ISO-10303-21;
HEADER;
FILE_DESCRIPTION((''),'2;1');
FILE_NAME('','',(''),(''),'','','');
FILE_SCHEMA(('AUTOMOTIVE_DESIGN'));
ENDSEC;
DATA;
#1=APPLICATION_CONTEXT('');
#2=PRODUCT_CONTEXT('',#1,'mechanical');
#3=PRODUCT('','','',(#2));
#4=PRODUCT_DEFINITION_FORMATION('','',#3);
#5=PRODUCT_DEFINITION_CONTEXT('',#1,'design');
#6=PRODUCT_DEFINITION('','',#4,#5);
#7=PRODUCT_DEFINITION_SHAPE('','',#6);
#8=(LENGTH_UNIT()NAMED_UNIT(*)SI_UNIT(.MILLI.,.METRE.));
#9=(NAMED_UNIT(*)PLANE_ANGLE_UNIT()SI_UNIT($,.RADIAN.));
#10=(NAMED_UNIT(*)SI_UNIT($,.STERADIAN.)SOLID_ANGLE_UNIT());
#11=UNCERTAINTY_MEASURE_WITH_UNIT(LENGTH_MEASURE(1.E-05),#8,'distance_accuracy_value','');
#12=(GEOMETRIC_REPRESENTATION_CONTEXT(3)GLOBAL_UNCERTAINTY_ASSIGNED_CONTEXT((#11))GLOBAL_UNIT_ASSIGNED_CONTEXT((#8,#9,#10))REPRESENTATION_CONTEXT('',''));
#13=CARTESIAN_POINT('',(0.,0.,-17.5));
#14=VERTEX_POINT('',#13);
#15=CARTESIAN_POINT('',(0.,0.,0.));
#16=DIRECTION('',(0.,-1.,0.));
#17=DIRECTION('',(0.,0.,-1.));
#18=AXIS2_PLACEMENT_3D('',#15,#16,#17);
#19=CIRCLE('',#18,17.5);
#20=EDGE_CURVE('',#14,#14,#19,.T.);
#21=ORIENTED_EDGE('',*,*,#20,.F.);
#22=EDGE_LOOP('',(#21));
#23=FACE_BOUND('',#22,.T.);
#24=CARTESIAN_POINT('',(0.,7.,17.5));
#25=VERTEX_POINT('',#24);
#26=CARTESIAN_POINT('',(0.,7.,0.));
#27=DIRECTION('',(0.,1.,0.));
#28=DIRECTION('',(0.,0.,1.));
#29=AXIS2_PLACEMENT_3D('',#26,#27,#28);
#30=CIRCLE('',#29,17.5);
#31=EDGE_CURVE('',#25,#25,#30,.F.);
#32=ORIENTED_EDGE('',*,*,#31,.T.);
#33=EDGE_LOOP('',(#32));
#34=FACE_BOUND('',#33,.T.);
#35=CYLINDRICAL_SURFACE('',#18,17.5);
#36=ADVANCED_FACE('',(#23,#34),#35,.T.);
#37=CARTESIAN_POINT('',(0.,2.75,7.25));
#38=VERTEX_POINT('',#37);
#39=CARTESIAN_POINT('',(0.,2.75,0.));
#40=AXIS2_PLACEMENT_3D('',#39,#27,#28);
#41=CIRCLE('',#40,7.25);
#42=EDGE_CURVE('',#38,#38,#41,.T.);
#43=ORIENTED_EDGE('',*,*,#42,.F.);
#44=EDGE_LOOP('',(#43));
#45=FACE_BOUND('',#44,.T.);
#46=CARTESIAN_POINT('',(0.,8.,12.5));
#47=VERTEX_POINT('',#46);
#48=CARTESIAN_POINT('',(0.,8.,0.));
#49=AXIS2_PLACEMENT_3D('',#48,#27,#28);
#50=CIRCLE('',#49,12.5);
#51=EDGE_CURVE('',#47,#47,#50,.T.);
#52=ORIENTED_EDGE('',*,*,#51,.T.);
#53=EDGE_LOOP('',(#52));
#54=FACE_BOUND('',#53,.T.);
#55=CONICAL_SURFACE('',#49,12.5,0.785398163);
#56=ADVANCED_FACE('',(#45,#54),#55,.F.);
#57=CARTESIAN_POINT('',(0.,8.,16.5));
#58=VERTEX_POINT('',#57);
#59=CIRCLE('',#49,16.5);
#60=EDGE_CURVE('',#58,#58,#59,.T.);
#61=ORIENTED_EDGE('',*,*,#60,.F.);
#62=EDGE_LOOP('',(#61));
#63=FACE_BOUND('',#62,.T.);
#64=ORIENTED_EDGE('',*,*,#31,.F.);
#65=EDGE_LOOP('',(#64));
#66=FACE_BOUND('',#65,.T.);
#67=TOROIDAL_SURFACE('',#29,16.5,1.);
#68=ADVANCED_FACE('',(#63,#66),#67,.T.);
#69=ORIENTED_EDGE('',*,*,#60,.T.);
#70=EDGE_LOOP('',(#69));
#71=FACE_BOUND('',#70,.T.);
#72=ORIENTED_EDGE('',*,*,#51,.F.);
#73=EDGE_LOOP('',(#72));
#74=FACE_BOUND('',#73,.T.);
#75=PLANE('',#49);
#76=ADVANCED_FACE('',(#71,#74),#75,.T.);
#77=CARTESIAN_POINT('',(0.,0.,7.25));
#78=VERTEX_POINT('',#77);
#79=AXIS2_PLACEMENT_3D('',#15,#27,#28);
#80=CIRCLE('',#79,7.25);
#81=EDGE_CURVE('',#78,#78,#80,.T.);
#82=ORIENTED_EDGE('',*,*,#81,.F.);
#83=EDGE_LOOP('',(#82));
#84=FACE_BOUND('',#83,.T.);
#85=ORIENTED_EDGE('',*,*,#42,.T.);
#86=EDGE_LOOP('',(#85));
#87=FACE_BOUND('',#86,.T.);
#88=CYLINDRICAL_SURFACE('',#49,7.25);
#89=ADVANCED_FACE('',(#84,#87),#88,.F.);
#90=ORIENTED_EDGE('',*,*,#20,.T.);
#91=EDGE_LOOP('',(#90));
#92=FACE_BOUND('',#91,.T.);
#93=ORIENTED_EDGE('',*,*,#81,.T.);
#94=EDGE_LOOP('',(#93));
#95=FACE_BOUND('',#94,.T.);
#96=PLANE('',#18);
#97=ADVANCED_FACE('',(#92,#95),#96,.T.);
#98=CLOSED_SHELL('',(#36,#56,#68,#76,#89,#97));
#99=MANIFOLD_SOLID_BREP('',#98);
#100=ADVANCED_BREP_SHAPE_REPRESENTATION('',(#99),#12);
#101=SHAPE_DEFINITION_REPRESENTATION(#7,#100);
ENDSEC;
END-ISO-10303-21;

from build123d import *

# Parameters (mm, degrees)
SKETCH1_W = 17.5
SKETCH1_H = 8
FILLET1_R = 1


with BuildPart() as part:
    # Sketch1 → Revolve1 (revolve)
    with BuildSketch(Plane.XY, mode=Mode.PRIVATE) as revolve1_sk:
        with Locations((8.75, 4)):
            Rectangle(SKETCH1_W, SKETCH1_H)
    revolve(revolve1_sk.sketch.rotate(Axis((0, 0, 0), (0, 1, 0)), 90), axis=Axis((0, 0, 0), (0, 1, 0)))

    # Sketch2 → CSK for M3 Countersunk Flat Head Screw1 (revolve, cut)
    with BuildSketch(Plane(origin=(0, 8, 0), x_dir=(0, 0, 1), z_dir=(1, 0, 0))):
        Polygon((0, 0), (0, 8), (7.25, 8), (7.25, 5.25), (12.5, 0), align=None)
    revolve(axis=Axis((0, 14.35, 0), (0, -1, 0)), mode=Mode.SUBTRACT)

    # Fillet1
    fillet1_edges = [part.edges().sort_by_distance(p)[0] for p in [
        (0, 8, 17.5),
    ]]
    fillet(fillet1_edges, radius=FILLET1_R)


solid = part.part
